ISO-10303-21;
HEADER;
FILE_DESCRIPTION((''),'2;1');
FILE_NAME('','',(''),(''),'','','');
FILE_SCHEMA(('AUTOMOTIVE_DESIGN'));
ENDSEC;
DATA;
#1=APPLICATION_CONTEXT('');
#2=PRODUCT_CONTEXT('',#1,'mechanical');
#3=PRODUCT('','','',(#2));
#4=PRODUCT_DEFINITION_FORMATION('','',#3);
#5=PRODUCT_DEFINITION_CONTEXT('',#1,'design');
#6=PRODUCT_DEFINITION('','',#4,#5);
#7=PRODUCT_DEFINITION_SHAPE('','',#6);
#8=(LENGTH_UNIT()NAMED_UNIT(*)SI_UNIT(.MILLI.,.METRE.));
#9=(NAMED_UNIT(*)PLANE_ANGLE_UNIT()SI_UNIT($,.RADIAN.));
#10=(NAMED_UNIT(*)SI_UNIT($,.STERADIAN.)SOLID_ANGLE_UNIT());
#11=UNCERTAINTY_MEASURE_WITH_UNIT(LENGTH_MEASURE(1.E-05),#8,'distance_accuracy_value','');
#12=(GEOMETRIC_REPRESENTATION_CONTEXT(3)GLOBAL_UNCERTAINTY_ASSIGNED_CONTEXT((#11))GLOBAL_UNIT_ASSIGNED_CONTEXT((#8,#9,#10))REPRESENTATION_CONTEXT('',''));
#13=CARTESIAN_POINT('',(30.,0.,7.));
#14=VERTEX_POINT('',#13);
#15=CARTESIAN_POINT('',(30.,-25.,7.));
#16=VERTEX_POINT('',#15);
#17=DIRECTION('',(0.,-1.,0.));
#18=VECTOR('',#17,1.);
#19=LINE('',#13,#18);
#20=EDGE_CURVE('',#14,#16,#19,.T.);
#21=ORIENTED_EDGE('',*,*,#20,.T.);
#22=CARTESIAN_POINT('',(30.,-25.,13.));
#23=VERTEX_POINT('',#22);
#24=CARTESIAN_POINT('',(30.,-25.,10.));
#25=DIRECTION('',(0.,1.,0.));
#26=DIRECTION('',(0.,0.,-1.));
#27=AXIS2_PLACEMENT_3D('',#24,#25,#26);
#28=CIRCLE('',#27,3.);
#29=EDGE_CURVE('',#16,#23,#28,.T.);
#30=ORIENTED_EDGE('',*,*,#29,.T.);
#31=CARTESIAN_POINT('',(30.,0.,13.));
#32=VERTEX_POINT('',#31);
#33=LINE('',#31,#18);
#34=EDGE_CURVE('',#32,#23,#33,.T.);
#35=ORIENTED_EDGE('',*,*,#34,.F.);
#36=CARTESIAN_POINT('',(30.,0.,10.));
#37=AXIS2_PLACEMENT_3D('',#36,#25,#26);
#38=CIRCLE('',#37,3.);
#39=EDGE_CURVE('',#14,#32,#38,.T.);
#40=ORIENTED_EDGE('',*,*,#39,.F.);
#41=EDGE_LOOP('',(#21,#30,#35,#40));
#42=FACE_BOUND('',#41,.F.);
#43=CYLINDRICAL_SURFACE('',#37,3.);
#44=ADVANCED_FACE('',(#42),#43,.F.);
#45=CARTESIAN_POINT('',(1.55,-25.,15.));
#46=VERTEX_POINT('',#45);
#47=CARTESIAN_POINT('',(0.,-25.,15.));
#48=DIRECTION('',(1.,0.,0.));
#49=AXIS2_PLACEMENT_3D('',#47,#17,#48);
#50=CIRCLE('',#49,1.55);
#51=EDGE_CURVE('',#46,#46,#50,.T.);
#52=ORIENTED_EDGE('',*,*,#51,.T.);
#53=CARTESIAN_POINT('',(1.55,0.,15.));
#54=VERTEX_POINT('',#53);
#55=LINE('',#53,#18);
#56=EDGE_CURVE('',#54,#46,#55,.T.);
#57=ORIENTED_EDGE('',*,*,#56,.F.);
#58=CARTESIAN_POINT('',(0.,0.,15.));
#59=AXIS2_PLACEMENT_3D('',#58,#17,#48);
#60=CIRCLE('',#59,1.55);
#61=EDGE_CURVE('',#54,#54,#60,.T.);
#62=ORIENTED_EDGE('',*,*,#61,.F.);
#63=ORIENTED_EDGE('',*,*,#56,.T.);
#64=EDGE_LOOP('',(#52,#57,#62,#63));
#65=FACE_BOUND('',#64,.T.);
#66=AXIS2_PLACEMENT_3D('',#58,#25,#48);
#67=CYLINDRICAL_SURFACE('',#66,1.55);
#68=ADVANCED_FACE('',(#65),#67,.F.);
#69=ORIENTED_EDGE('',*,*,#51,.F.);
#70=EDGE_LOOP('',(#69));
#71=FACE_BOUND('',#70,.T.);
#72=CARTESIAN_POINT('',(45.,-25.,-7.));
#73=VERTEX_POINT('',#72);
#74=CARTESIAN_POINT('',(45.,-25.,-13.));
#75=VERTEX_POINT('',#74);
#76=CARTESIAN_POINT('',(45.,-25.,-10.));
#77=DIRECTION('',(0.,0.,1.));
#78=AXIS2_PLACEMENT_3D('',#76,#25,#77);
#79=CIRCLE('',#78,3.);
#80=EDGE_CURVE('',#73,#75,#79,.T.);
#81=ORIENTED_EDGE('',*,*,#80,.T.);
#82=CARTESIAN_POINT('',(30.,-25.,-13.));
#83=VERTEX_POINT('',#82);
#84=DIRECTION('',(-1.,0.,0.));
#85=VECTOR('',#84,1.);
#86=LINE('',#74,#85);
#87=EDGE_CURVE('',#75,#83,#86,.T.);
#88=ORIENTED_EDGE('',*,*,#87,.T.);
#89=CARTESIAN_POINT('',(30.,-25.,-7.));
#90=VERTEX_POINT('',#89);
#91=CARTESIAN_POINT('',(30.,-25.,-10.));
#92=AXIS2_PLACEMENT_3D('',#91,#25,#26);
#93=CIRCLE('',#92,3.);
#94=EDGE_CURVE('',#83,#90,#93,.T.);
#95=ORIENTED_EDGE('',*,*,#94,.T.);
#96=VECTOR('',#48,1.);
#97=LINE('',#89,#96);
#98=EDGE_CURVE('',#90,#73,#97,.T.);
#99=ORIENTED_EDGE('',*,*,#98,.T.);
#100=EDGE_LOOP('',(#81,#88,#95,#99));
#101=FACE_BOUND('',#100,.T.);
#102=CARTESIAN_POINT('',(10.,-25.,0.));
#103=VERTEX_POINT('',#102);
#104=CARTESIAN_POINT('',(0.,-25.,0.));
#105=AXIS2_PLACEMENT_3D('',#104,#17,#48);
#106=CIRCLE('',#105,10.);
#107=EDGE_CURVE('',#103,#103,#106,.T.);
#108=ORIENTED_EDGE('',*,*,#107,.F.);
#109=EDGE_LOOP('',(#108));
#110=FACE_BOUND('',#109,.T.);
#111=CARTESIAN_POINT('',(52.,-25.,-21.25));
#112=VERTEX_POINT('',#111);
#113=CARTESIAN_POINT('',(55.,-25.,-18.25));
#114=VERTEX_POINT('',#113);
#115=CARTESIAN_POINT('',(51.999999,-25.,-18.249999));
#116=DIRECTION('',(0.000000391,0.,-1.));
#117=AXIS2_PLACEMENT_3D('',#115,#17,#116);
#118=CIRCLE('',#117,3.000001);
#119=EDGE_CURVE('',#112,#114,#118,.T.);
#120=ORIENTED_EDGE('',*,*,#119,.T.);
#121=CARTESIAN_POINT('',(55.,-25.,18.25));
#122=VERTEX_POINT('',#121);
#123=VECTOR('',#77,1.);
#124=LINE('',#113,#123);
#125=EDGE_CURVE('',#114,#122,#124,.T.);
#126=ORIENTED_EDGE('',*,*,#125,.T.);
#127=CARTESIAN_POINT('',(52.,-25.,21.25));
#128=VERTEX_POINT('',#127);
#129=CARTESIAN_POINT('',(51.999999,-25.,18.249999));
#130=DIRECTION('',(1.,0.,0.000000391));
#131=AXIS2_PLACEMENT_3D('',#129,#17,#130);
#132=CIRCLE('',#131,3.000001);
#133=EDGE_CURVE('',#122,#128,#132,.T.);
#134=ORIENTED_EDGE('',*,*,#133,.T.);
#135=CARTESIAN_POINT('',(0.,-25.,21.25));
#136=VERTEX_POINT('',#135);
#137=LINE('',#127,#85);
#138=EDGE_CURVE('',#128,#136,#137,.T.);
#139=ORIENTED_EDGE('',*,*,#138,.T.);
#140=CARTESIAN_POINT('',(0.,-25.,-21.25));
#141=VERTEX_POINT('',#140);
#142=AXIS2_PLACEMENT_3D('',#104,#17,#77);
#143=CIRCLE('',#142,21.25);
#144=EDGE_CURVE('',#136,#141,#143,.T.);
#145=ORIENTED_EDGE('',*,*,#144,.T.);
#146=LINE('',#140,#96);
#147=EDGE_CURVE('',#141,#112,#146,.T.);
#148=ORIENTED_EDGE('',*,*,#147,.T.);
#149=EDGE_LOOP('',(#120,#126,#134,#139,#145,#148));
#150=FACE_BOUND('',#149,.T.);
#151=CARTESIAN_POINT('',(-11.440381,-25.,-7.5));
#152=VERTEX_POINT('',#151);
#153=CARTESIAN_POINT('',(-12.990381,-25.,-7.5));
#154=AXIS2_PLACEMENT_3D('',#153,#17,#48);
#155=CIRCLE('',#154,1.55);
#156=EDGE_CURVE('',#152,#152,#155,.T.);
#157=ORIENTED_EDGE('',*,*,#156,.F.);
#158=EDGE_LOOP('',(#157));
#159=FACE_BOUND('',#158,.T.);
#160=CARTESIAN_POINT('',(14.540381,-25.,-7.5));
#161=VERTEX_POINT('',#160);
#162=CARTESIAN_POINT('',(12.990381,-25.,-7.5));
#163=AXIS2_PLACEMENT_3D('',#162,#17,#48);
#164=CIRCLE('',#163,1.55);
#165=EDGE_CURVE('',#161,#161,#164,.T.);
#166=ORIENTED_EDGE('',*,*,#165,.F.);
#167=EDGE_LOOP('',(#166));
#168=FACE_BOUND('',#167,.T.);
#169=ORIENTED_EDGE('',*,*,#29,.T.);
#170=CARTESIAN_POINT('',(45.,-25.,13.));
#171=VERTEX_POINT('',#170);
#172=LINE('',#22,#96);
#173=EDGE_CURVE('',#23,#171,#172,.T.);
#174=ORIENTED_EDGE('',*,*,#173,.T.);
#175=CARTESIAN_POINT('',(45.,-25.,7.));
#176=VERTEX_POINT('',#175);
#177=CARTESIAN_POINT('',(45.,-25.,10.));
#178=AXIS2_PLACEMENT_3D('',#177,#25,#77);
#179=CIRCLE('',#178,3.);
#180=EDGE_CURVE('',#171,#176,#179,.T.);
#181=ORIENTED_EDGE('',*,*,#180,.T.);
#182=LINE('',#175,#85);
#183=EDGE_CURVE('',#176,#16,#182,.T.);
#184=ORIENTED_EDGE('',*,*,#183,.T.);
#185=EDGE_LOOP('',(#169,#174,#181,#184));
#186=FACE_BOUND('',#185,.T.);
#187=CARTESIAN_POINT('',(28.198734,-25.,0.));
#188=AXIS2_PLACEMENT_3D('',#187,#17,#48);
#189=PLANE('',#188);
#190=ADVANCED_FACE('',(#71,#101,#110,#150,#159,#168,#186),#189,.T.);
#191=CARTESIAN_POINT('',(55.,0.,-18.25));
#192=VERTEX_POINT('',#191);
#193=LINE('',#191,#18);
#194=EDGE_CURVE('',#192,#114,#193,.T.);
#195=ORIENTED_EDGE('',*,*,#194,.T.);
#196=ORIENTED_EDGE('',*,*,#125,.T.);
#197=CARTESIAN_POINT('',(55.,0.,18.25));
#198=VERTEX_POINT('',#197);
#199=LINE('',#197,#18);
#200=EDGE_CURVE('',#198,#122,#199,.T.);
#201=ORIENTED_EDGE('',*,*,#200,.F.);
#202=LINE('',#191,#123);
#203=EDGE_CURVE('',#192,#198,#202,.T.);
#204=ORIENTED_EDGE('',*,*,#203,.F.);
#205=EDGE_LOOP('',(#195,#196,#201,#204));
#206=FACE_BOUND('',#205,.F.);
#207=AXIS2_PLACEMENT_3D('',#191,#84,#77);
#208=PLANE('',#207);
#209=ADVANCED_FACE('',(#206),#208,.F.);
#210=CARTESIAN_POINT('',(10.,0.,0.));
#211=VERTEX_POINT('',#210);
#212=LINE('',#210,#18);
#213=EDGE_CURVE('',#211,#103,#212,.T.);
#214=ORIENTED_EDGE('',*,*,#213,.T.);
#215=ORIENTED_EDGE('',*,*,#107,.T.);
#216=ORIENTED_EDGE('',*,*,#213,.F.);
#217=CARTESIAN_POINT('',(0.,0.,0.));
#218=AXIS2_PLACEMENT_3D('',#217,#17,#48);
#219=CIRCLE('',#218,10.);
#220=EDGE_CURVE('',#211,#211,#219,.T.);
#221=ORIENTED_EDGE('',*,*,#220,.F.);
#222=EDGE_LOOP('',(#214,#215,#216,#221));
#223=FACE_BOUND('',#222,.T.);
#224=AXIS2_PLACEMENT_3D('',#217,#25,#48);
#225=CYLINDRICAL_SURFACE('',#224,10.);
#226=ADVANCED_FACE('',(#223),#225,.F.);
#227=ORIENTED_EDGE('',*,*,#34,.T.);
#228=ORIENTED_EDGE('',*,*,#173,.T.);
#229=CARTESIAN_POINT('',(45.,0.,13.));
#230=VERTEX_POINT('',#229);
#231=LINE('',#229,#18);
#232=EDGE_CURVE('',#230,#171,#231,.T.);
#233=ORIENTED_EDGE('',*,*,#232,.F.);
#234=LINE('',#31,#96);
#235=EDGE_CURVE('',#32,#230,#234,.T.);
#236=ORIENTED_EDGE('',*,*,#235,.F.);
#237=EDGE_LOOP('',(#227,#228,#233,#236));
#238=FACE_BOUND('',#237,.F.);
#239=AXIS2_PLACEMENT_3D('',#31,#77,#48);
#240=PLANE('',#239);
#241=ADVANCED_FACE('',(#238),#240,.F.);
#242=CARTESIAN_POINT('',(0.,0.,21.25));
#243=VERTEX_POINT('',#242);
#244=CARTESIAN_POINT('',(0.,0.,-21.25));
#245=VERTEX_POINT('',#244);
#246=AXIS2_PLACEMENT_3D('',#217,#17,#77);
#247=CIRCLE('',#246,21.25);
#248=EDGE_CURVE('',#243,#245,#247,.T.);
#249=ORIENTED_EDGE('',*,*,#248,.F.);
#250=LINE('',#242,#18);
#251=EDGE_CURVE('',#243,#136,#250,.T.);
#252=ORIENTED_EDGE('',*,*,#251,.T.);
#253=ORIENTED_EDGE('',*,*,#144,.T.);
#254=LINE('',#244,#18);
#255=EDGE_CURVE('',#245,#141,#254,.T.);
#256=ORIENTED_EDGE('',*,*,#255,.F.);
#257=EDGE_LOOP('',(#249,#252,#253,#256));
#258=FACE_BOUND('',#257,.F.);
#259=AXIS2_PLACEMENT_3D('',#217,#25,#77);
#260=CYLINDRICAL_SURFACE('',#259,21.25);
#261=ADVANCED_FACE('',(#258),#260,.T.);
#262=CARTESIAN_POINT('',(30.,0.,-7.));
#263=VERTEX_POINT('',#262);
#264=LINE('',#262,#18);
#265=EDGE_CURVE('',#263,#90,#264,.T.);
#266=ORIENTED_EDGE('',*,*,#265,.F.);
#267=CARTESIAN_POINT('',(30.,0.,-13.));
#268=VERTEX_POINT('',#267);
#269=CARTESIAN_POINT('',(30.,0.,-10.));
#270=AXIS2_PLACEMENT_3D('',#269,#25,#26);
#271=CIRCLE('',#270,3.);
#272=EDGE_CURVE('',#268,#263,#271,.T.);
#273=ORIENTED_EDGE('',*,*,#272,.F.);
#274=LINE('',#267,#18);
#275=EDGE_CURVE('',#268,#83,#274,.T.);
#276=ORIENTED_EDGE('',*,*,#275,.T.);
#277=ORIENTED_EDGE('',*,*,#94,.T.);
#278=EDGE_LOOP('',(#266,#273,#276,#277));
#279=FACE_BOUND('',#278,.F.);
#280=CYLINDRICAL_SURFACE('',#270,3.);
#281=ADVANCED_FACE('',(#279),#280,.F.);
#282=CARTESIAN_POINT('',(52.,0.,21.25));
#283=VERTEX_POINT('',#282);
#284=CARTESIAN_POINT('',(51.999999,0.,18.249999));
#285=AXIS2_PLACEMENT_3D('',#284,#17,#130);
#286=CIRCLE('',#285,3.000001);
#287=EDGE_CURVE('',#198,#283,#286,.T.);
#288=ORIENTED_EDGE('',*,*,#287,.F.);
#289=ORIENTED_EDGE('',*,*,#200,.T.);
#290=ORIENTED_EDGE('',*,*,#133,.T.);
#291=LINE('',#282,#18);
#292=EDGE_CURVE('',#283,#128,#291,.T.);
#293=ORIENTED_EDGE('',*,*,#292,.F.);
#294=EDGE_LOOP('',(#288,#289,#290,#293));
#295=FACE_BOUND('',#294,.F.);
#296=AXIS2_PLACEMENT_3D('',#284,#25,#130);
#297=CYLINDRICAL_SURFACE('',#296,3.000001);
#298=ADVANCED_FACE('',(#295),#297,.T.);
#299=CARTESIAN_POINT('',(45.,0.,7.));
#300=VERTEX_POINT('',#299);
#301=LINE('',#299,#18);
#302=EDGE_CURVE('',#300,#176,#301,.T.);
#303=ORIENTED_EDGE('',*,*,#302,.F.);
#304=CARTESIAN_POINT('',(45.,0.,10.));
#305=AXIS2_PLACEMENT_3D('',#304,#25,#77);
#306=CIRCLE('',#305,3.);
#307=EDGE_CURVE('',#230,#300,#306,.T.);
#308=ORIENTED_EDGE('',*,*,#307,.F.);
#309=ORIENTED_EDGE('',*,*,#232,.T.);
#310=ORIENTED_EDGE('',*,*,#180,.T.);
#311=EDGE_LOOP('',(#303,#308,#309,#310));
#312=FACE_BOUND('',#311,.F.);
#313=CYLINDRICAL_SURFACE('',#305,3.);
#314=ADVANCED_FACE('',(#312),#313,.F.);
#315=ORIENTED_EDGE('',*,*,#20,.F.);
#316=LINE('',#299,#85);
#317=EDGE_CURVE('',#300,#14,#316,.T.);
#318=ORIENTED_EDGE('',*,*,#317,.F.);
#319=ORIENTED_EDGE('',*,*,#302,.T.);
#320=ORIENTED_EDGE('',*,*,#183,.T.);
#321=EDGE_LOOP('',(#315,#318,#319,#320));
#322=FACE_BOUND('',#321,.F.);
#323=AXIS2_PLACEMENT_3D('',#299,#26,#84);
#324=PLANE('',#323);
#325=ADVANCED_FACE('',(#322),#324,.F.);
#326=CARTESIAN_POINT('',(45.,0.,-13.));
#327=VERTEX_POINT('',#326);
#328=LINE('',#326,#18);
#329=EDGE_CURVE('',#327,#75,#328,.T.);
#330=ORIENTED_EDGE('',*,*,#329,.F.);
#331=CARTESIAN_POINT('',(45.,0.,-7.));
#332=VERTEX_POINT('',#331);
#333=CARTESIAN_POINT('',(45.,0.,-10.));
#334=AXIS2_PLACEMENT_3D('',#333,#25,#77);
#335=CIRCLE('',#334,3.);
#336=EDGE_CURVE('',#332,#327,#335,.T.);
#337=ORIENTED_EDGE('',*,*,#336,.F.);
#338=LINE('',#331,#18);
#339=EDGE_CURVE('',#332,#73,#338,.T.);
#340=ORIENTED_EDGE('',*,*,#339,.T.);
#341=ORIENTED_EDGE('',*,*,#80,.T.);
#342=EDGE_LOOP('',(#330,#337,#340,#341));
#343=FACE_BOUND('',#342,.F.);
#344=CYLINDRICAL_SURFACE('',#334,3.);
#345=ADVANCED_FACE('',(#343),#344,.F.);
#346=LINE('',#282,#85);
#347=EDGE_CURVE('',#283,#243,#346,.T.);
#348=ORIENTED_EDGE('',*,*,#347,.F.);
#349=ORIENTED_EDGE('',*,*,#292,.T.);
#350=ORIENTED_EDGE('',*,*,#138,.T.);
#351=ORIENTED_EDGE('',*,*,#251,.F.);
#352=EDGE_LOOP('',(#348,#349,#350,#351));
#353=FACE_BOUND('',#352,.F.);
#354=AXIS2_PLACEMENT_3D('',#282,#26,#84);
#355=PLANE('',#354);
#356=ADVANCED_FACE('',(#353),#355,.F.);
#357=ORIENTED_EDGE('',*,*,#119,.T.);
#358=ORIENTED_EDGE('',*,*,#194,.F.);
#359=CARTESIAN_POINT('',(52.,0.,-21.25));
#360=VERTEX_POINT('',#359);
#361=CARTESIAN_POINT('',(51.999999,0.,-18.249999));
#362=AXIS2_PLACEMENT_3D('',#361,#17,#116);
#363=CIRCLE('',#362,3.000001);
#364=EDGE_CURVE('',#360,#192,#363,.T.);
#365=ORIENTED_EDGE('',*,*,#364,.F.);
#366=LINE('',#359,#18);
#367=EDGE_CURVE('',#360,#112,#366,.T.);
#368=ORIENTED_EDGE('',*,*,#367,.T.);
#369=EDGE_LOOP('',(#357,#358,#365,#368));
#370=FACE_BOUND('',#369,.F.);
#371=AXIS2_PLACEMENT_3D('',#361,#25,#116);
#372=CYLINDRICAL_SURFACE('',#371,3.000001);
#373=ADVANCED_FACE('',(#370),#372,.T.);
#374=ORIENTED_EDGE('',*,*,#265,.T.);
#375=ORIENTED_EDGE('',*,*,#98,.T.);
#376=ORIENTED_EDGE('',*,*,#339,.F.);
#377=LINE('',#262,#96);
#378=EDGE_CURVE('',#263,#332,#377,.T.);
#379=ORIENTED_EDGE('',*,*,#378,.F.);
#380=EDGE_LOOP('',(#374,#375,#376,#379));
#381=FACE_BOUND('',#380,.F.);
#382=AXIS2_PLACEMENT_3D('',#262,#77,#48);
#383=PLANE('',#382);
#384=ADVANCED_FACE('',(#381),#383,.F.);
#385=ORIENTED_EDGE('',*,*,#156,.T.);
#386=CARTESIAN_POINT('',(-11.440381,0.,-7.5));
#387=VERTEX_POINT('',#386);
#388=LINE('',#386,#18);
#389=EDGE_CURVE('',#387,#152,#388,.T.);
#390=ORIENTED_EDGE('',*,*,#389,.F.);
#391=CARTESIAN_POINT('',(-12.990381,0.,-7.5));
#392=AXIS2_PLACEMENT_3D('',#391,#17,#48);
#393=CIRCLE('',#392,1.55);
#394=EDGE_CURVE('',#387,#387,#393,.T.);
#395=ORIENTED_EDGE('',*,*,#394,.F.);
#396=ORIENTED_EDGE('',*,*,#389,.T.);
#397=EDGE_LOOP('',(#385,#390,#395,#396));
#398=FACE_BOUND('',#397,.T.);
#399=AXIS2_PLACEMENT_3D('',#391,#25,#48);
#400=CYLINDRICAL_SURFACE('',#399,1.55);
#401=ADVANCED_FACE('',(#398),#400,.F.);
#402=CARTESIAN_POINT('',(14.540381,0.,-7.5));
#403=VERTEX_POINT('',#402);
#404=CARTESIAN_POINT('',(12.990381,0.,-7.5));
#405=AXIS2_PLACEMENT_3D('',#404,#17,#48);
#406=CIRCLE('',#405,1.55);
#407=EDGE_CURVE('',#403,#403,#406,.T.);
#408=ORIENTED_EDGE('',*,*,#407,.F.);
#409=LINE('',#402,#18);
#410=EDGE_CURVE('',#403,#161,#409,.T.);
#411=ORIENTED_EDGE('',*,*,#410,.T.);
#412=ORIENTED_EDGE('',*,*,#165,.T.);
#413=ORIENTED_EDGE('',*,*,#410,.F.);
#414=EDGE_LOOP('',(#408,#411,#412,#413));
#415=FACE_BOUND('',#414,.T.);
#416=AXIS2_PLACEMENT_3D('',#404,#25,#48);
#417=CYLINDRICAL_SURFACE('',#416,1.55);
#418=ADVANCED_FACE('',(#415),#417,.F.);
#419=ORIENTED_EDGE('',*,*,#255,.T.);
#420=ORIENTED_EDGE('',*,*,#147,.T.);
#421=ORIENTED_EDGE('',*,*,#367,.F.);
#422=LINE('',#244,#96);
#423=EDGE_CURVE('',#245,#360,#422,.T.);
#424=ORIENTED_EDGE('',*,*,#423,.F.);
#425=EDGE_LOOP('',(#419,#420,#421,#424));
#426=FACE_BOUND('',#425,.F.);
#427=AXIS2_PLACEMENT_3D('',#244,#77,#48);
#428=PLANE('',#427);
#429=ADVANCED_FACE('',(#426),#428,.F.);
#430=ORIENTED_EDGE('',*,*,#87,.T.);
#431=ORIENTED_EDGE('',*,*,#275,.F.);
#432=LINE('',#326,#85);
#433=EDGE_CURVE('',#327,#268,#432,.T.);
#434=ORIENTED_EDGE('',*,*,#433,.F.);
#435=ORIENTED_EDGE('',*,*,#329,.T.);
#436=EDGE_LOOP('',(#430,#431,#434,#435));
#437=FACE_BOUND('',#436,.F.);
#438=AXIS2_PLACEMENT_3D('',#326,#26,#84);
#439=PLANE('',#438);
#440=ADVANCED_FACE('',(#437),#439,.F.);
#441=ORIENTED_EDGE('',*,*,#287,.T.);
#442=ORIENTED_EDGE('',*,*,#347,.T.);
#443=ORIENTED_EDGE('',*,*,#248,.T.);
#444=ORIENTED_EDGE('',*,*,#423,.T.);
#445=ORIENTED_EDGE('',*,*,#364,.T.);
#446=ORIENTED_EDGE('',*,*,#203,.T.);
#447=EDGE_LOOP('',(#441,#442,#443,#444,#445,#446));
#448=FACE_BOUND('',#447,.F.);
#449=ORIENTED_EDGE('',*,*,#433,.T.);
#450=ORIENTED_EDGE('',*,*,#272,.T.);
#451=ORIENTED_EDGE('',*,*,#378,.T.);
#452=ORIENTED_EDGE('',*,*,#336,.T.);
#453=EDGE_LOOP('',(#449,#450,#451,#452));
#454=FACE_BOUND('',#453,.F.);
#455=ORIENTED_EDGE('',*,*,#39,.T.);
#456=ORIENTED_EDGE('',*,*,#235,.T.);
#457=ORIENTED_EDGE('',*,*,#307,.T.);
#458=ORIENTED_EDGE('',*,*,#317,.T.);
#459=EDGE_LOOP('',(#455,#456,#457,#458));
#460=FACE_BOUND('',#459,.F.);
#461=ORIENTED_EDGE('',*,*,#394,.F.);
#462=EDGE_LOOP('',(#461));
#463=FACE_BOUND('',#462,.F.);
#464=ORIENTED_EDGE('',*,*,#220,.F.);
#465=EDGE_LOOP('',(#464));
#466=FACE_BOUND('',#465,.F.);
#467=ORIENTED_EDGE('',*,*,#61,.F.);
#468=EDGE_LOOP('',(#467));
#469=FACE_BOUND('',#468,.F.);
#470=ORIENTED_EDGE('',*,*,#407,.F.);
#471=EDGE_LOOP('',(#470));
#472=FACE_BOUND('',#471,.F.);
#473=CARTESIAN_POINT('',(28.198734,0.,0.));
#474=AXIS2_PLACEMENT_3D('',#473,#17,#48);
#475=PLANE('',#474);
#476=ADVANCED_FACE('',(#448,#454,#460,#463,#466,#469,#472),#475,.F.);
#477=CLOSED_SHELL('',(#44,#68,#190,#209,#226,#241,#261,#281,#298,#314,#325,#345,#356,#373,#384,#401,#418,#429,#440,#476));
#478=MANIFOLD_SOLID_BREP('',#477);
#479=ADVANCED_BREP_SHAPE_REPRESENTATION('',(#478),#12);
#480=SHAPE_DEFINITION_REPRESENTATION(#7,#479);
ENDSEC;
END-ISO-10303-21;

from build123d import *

# Parameters (mm, degrees)
F0_R     = 1.55
F0_R_2   = 10
F1_DEPTH = 25


with BuildPart() as f1:
    # F0 (on Front) → F1 (new body)
    with BuildSketch(Plane.XZ):
        with BuildLine():
            Line((52, 21.25), (0, 21.25))
            ThreePointArc((0, 21.25), (15.026019, 15.026019), (21.25, 0))
            ThreePointArc((21.25, 0), (15.026019, -15.026019), (0, -21.25))
            Line((0, -21.25), (52, -21.25))
            ThreePointArc((52, -21.25), (54.12132, -20.37132), (55, -18.25))
            Line((55, -18.25), (55, 18.25))
            ThreePointArc((55, 18.25), (54.12132, 20.37132), (52, 21.25))
        make_face()
        with BuildLine():
            Line((45, -13), (30, -13))
            ThreePointArc((30, -13), (27, -10), (30, -7))
            Line((30, -7), (45, -7))
            ThreePointArc((45, -7), (48, -10), (45, -13))
        make_face(mode=Mode.SUBTRACT)
        with BuildLine():
            Line((45, 7), (30, 7))
            ThreePointArc((30, 7), (27, 10), (30, 13))
            Line((30, 13), (45, 13))
            ThreePointArc((45, 13), (48, 10), (45, 7))
        make_face(mode=Mode.SUBTRACT)
        with BuildLine():
            ThreePointArc((21.25, 0), (15.026019, 15.026019), (0, 21.25))
            ThreePointArc((0, 21.25), (-21.25, 0), (0, -21.25))
            ThreePointArc((0, -21.25), (15.026019, -15.026019), (21.25, 0))
        make_face()
        with Locations((-12.990381, -7.5)):
            Circle(F0_R, mode=Mode.SUBTRACT)
        with Locations((12.990381, -7.5)):
            Circle(F0_R, mode=Mode.SUBTRACT)
        Circle(F0_R_2, mode=Mode.SUBTRACT)
        with Locations((0, 15)):
            Circle(F0_R, mode=Mode.SUBTRACT)
    extrude(amount=F1_DEPTH)


solid = f1.part
